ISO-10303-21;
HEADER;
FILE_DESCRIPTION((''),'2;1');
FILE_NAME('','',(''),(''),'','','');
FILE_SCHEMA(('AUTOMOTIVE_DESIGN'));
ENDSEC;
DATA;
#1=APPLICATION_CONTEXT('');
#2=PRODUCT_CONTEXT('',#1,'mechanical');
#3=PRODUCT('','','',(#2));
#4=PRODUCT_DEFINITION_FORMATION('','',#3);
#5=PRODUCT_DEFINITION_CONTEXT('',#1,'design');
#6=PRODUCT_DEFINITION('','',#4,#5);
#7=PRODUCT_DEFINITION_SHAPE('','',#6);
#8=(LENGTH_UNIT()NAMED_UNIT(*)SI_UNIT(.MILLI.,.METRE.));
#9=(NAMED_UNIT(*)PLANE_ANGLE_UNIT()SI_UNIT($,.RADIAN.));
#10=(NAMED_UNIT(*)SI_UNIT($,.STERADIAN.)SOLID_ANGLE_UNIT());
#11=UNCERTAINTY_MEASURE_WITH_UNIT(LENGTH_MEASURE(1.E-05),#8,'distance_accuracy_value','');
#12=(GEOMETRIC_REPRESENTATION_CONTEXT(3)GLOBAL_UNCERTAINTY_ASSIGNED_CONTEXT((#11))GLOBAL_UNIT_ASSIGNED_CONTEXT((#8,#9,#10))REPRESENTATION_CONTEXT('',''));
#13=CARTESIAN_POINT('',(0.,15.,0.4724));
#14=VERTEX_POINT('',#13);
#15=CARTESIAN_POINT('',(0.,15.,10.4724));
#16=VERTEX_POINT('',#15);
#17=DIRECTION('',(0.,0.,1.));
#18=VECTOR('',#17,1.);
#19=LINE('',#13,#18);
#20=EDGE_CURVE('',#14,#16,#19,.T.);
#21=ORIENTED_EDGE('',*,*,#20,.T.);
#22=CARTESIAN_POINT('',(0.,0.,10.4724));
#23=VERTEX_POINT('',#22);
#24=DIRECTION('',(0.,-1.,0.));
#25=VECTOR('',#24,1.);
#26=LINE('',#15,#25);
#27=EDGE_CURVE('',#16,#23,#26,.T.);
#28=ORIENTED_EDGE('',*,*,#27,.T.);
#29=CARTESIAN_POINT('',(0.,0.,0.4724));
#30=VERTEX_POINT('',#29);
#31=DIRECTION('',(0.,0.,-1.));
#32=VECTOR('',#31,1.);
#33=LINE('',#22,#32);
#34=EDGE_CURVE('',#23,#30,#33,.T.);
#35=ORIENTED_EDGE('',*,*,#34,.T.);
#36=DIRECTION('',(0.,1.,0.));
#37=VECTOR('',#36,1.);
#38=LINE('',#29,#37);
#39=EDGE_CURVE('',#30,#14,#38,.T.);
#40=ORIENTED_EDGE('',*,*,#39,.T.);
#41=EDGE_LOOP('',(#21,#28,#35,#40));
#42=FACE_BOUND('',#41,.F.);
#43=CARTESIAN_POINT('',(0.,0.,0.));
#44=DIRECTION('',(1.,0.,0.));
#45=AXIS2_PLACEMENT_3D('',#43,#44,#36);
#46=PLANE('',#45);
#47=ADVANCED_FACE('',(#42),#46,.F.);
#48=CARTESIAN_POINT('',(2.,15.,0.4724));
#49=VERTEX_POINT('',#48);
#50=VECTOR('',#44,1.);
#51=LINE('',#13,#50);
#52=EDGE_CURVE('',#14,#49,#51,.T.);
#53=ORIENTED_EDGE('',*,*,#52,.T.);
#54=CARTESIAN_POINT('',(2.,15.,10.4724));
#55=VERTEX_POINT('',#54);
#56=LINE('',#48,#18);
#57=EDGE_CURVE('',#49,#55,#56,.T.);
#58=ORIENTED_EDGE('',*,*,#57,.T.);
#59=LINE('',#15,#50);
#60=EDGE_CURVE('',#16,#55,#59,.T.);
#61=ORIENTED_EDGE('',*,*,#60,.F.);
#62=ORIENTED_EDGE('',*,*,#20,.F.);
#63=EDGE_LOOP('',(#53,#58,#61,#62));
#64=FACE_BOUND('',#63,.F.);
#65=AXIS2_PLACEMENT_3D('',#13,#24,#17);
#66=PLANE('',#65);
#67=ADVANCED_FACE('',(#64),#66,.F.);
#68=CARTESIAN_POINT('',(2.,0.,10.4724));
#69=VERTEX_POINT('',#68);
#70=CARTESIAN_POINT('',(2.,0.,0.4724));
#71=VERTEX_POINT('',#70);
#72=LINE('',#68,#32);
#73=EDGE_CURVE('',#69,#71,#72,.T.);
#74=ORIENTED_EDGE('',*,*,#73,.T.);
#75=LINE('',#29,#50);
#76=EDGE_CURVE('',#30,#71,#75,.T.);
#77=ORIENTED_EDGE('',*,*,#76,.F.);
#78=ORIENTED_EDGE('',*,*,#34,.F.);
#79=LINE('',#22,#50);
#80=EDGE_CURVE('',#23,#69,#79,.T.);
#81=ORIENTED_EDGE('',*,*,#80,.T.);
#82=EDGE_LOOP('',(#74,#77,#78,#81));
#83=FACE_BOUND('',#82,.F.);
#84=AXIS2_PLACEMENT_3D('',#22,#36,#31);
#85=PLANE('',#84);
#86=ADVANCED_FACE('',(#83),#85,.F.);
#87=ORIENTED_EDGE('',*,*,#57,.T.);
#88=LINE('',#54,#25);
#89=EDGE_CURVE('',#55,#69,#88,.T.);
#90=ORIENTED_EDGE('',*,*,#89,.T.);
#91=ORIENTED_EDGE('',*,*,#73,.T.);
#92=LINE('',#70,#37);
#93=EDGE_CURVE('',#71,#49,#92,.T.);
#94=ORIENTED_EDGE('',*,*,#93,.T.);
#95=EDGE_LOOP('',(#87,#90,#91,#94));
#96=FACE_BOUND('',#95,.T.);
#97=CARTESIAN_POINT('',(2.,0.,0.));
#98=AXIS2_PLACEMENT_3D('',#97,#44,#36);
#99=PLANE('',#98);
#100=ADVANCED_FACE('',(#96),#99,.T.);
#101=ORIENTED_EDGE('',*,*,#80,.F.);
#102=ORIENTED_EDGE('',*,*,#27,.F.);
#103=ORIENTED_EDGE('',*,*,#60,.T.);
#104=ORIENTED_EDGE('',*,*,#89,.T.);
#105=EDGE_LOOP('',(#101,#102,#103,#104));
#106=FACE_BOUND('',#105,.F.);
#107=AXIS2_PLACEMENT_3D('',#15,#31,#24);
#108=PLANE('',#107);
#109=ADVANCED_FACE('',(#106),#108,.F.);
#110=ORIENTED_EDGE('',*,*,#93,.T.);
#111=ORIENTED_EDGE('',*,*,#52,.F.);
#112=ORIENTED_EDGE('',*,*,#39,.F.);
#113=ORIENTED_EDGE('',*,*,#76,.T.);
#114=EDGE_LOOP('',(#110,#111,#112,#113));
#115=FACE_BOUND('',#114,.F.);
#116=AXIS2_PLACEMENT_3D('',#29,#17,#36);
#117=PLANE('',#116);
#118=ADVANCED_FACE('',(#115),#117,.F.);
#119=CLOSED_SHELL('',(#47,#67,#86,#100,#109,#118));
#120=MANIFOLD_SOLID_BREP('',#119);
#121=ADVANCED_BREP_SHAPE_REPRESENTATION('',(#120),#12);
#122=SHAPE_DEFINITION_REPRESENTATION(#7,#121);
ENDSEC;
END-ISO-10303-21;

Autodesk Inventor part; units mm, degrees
ref_plane "YZ Plane" through (0, 0, 0) normal (1, 0, 0) x (0, 1, 0)
ref_plane "XZ Plane" through (0, 0, 0) normal (0, 1, 0) x (-1, 0, 0)
ref_plane "XY Plane" through (0, 0, 0) normal (0, 0, 1) x (1, 0, 0)
sketch "スケッチ1" plane through (0, 0, 0) normal (1, 0, 0) x (0, 1, 0)
  line L0 (15, 10.4724) -> (0, 10.4724)
  line L1 (0, 10.4724) -> (0, 0.4724)
  line L2 (0, 0.4724) -> (15, 0.4724)
  line L3 (15, 0.4724) -> (15, 10.4724)
  point P0 (0, 0)
  dimension "d0" = 10
  dimension "d1" = 15
extrude "押し出し1" add sketch "スケッチ1" along normal blind 2
properties part number "banperparts2"
